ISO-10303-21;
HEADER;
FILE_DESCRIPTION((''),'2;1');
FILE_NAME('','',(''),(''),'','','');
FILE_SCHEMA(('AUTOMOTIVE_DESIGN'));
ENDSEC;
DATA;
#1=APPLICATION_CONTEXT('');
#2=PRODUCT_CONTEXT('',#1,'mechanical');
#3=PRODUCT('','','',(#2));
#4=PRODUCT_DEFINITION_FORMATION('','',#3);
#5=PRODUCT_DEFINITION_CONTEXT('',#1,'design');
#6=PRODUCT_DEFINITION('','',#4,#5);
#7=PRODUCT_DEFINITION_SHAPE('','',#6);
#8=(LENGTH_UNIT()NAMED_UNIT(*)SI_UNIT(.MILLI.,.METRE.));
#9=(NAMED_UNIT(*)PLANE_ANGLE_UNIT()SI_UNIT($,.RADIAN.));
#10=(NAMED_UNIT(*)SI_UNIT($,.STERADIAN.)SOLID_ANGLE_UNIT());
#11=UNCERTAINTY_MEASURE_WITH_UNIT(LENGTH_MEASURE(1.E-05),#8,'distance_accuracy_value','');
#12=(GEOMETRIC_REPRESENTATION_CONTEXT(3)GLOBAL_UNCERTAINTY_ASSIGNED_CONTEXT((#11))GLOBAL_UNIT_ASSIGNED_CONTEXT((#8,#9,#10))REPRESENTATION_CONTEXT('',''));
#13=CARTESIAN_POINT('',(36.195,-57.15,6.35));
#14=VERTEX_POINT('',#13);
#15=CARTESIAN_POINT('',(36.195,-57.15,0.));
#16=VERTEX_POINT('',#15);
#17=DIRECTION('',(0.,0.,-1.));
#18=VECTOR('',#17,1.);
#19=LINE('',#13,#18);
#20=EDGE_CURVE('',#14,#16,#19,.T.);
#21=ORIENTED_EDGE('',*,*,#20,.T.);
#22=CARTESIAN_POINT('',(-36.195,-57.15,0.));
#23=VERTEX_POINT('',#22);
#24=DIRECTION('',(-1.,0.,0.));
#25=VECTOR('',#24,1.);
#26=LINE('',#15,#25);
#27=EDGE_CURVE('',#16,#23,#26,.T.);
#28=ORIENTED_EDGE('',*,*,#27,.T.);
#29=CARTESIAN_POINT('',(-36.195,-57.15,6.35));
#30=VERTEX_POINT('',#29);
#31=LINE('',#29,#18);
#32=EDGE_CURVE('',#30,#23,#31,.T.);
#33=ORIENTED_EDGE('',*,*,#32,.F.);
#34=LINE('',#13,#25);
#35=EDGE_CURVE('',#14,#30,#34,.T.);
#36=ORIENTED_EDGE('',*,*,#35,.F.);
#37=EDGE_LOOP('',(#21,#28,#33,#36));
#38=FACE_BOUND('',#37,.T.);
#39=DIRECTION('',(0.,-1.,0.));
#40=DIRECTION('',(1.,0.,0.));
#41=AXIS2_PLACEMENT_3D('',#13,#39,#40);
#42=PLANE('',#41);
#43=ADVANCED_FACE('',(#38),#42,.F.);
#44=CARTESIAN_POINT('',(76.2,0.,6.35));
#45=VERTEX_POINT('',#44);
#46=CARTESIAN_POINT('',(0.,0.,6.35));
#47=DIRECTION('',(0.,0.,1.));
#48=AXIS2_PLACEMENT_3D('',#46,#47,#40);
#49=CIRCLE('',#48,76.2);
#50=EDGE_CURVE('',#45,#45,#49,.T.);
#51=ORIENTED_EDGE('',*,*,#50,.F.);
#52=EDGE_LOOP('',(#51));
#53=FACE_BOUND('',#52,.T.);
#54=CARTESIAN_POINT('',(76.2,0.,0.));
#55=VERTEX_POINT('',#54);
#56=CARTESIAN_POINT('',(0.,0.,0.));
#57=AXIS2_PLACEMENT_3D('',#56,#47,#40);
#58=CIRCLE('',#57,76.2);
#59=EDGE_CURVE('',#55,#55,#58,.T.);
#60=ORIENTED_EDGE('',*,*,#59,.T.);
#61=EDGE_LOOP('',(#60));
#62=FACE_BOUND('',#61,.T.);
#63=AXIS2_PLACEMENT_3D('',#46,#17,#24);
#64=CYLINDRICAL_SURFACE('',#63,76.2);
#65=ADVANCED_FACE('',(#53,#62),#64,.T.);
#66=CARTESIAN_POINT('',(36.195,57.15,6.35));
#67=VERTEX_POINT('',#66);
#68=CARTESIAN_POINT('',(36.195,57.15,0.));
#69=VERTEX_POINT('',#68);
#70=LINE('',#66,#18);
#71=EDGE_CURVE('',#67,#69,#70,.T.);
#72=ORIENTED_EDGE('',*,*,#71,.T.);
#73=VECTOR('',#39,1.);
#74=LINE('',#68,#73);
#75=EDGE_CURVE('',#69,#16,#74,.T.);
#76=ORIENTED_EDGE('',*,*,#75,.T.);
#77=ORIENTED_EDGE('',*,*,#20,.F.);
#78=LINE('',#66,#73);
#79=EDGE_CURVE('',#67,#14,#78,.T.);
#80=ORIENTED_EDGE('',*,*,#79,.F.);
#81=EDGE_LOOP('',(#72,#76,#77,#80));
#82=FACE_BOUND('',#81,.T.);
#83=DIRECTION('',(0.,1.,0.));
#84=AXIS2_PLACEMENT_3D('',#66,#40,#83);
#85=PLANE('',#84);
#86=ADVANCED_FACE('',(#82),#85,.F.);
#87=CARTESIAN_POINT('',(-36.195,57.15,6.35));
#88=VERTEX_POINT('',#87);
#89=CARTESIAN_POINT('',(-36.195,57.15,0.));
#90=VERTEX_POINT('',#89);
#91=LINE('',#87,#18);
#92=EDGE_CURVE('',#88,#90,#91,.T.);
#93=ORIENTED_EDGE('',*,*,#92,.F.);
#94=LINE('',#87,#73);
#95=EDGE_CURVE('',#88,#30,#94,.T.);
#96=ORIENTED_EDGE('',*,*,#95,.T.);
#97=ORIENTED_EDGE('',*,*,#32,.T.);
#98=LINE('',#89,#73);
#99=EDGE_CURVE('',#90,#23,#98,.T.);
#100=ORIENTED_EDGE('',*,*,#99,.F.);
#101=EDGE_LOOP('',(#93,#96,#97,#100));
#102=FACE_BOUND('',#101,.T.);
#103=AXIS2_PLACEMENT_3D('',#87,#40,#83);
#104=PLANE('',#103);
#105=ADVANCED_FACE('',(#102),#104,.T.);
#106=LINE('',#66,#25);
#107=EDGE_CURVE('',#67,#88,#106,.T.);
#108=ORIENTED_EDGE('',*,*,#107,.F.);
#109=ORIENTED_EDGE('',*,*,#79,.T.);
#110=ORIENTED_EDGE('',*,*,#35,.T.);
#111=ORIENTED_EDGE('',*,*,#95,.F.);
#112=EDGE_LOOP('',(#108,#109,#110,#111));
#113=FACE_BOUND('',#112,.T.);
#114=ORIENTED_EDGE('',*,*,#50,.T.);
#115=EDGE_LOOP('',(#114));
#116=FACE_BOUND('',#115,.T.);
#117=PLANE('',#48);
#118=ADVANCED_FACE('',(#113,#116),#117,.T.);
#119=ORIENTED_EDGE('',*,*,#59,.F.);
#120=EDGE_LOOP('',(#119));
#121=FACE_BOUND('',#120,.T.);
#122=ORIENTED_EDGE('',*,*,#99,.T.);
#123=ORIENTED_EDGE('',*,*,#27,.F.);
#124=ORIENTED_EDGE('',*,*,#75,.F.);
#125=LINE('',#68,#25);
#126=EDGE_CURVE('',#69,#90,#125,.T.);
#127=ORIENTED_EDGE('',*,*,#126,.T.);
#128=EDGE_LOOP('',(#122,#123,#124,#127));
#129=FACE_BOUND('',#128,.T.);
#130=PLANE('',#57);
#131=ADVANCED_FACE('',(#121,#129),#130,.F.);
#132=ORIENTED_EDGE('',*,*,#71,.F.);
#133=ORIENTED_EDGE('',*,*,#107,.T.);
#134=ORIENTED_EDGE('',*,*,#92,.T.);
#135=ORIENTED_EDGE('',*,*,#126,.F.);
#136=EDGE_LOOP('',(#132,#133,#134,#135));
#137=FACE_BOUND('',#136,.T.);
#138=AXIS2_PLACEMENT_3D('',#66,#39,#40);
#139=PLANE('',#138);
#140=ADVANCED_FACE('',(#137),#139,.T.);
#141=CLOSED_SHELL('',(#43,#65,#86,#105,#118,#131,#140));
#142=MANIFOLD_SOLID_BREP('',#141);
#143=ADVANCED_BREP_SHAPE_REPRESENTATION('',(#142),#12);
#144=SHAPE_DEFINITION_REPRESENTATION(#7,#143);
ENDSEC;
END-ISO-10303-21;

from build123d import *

# Parameters (mm, degrees)
SKETCH1_R           = 76.2
SKETCH1_W           = 72.39
SKETCH1_H           = 114.3
BOSS_EXTRUDE1_DEPTH = 6.35


with BuildPart() as part:
    # Sketch1 → Boss-Extrude1 (new body)
    with BuildSketch(Plane.XY):
        Circle(SKETCH1_R)
        Rectangle(SKETCH1_W, SKETCH1_H, mode=Mode.SUBTRACT)
    extrude(amount=BOSS_EXTRUDE1_DEPTH)


solid = part.part
